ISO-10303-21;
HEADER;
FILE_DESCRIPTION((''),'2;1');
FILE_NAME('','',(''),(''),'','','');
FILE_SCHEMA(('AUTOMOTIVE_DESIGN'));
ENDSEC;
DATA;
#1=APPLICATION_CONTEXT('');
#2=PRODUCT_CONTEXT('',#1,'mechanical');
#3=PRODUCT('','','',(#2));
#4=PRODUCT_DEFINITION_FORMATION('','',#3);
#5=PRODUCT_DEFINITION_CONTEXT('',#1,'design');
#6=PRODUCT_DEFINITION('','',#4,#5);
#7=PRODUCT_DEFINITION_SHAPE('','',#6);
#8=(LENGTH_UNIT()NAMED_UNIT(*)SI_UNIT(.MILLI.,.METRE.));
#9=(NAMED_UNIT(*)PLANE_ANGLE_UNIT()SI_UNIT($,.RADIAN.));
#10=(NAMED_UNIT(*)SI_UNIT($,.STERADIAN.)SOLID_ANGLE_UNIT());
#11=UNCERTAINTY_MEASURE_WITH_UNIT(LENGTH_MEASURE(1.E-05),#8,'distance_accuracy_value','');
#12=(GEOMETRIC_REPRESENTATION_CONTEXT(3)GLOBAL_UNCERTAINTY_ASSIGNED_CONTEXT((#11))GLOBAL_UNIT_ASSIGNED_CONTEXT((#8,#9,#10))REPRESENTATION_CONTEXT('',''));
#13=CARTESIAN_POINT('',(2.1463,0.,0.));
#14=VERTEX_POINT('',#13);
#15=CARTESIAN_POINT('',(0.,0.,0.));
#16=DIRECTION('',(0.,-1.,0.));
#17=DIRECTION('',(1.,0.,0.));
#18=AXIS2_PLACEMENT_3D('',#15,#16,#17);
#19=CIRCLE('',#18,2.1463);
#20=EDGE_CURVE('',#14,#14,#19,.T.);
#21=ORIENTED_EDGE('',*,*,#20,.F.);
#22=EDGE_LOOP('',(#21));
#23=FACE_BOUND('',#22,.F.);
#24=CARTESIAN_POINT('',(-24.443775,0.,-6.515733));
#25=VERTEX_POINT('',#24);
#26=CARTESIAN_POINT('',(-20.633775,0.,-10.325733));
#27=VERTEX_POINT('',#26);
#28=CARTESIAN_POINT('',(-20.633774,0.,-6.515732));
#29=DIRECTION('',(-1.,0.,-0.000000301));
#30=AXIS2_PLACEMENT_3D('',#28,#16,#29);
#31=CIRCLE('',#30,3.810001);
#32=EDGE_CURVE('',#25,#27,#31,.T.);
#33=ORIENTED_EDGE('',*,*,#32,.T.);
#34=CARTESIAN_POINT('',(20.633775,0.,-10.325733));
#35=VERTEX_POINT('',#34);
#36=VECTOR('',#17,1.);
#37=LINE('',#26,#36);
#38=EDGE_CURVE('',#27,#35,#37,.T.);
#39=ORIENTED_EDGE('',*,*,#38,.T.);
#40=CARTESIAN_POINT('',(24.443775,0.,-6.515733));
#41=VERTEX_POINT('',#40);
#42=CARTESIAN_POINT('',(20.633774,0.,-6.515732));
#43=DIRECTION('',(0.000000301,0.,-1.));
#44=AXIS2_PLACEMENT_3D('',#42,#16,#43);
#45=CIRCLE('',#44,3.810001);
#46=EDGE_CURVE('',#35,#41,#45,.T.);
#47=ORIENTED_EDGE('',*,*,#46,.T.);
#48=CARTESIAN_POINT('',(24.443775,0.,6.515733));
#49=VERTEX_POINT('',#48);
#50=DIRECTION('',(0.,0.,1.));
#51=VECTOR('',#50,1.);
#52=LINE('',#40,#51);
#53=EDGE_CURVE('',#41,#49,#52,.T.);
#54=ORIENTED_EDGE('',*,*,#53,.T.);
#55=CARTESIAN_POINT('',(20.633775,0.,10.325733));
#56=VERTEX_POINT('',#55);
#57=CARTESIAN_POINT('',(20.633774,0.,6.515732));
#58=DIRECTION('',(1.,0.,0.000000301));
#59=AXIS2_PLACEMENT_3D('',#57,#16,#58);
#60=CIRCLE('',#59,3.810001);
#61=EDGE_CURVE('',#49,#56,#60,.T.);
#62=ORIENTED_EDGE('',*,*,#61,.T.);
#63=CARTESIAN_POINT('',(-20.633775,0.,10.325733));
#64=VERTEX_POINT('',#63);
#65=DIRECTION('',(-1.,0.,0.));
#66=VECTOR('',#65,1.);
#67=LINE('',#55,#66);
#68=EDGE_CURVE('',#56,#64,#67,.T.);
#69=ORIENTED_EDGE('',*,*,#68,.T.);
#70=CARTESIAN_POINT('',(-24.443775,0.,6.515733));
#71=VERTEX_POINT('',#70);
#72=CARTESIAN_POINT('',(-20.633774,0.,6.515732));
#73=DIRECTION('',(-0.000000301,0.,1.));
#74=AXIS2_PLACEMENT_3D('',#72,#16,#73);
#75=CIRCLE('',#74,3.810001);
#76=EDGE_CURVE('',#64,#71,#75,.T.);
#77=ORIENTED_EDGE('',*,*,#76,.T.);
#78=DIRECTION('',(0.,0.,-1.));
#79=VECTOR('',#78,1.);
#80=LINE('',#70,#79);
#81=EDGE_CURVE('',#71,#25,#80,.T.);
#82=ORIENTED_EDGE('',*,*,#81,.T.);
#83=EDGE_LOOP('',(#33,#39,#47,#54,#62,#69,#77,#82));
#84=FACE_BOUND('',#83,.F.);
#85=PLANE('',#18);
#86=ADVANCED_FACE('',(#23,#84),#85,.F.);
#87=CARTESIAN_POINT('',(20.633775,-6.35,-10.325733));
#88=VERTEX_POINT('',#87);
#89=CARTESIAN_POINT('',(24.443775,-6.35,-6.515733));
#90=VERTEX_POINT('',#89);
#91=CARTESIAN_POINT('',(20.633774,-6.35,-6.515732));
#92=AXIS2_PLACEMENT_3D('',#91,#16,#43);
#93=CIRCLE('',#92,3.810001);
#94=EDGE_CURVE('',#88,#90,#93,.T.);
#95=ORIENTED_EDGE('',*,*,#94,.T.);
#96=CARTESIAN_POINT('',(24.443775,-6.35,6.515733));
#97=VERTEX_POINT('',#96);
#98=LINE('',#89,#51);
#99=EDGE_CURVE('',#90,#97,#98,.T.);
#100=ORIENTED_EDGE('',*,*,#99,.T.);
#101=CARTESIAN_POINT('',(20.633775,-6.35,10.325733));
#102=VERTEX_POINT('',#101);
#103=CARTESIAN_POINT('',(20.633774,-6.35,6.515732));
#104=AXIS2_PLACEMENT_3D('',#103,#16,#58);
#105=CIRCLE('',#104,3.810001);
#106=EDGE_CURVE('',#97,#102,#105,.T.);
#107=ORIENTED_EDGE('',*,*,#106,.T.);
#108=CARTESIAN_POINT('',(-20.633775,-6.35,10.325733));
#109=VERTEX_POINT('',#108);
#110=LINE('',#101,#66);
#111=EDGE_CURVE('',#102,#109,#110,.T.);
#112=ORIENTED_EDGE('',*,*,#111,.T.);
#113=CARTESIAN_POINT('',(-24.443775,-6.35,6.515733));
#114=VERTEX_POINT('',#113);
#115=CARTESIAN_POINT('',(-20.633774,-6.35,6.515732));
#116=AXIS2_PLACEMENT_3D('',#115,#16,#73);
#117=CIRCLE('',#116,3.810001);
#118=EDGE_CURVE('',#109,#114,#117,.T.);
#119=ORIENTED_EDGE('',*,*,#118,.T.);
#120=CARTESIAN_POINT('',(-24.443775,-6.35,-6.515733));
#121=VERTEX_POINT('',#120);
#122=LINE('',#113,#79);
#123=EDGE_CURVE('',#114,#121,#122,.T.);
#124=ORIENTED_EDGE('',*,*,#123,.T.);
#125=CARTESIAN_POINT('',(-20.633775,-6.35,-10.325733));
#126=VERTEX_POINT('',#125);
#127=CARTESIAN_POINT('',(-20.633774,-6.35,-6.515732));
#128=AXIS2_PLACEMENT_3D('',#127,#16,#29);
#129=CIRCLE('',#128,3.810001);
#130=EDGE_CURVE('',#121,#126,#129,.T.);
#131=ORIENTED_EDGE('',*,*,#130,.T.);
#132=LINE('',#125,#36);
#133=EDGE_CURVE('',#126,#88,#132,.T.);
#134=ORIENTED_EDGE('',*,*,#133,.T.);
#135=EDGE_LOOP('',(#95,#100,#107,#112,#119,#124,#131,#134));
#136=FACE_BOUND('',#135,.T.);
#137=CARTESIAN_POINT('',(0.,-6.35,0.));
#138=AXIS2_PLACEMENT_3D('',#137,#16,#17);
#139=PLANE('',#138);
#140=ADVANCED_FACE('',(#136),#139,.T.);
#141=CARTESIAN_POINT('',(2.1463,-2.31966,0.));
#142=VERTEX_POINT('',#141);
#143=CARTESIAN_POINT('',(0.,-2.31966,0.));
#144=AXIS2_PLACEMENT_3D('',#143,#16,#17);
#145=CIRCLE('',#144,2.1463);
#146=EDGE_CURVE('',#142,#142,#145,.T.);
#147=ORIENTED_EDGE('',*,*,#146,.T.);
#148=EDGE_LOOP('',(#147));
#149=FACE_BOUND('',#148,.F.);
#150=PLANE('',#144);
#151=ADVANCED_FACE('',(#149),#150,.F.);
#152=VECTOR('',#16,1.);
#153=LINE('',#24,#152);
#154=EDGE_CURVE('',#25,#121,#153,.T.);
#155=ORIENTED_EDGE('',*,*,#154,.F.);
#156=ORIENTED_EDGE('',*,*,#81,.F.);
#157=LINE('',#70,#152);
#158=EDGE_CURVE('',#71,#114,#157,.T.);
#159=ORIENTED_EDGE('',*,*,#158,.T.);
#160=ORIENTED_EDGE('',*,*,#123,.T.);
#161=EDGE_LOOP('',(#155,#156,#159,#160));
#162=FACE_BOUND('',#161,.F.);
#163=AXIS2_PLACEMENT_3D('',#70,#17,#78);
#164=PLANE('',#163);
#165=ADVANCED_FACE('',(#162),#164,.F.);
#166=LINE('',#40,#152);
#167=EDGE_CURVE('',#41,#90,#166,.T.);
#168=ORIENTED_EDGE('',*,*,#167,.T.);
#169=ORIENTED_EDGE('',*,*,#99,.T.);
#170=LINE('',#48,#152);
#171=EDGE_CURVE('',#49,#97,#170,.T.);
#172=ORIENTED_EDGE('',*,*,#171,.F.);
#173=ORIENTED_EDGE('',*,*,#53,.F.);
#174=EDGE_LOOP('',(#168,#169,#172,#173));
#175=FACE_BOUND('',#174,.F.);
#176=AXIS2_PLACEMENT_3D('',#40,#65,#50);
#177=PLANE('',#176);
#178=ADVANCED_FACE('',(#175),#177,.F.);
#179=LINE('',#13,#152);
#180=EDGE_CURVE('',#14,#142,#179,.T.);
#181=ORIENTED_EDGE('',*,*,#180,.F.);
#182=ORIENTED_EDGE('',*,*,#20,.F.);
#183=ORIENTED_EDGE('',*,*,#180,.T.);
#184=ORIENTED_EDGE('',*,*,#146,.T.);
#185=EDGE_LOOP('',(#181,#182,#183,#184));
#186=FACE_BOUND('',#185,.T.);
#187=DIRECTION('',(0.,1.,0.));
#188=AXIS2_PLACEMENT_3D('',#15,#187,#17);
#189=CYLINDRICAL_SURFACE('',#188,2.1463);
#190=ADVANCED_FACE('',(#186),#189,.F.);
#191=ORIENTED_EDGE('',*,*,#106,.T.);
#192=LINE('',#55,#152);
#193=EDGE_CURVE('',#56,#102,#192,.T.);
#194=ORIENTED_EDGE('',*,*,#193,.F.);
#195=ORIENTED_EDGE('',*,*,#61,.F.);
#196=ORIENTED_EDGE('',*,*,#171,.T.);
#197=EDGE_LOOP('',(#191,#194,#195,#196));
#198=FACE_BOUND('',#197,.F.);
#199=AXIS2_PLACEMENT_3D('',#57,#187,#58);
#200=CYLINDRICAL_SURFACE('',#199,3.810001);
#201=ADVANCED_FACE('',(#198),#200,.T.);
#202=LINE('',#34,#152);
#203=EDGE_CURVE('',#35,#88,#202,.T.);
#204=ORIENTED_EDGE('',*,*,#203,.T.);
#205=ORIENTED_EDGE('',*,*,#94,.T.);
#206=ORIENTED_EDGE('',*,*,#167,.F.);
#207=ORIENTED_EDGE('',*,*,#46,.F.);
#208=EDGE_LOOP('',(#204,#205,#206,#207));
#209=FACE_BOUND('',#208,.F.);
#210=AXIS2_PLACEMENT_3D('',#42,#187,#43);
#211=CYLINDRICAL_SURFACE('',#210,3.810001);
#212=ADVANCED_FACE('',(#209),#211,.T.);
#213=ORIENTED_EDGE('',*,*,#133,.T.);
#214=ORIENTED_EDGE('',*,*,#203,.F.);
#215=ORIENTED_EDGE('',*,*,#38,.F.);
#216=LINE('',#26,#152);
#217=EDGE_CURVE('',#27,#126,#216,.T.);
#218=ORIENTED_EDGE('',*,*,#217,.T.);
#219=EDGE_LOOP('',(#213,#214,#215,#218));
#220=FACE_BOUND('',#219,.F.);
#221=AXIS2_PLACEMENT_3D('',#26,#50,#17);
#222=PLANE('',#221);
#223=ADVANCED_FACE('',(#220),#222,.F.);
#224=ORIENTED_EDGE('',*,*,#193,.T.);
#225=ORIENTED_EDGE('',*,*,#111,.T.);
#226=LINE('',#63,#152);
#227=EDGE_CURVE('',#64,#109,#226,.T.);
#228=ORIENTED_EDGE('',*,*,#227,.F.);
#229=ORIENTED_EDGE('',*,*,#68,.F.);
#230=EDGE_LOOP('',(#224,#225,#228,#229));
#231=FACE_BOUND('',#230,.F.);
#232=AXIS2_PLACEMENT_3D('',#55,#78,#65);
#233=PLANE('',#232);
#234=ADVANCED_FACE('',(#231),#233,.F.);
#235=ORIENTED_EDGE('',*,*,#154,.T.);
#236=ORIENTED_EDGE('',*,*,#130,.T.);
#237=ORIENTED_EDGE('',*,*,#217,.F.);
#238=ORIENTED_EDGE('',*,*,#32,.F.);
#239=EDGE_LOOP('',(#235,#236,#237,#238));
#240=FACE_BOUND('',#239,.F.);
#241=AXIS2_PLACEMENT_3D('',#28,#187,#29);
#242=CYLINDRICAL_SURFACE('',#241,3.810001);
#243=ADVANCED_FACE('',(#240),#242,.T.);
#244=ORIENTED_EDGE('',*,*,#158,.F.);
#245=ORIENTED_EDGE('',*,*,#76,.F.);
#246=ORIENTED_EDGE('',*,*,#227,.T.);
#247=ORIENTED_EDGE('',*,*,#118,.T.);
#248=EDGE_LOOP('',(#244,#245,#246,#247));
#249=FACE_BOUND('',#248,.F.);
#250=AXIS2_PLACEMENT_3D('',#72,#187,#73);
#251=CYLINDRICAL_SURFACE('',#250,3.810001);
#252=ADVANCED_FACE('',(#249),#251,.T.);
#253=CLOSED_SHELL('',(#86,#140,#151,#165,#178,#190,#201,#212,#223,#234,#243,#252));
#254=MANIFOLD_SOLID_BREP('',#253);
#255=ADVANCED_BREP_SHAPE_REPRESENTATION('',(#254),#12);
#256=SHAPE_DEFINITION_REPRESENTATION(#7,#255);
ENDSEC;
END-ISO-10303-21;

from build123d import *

# Parameters (mm, degrees)
F1_DEPTH = 6.35
F2_R     = 2.1463
F3_DEPTH = 2.31966


with BuildPart() as f1:
    # F0 (on Front) → F1 (new body)
    with BuildSketch(Plane.XZ):
        with BuildLine():
            Line((20.633775, 10.325733), (-20.633775, 10.325733))
            ThreePointArc((-20.633775, 10.325733), (-23.327852, 9.209809), (-24.443775, 6.515733))
            Line((-24.443775, 6.515733), (-24.443775, -6.515733))
            ThreePointArc((-24.443775, -6.515733), (-23.327852, -9.209809), (-20.633775, -10.325733))
            Line((-20.633775, -10.325733), (20.633775, -10.325733))
            ThreePointArc((20.633775, -10.325733), (23.327852, -9.209809), (24.443775, -6.515733))
            Line((24.443775, -6.515733), (24.443775, 6.515733))
            ThreePointArc((24.443775, 6.515733), (23.327852, 9.209809), (20.633775, 10.325733))
        make_face()
    extrude(amount=F1_DEPTH)

    # F2 (on Front) → F3 (cut)
    with BuildSketch(Plane.XZ):
        Circle(F2_R)
    extrude(amount=F3_DEPTH, mode=Mode.SUBTRACT)


solid = f1.part
